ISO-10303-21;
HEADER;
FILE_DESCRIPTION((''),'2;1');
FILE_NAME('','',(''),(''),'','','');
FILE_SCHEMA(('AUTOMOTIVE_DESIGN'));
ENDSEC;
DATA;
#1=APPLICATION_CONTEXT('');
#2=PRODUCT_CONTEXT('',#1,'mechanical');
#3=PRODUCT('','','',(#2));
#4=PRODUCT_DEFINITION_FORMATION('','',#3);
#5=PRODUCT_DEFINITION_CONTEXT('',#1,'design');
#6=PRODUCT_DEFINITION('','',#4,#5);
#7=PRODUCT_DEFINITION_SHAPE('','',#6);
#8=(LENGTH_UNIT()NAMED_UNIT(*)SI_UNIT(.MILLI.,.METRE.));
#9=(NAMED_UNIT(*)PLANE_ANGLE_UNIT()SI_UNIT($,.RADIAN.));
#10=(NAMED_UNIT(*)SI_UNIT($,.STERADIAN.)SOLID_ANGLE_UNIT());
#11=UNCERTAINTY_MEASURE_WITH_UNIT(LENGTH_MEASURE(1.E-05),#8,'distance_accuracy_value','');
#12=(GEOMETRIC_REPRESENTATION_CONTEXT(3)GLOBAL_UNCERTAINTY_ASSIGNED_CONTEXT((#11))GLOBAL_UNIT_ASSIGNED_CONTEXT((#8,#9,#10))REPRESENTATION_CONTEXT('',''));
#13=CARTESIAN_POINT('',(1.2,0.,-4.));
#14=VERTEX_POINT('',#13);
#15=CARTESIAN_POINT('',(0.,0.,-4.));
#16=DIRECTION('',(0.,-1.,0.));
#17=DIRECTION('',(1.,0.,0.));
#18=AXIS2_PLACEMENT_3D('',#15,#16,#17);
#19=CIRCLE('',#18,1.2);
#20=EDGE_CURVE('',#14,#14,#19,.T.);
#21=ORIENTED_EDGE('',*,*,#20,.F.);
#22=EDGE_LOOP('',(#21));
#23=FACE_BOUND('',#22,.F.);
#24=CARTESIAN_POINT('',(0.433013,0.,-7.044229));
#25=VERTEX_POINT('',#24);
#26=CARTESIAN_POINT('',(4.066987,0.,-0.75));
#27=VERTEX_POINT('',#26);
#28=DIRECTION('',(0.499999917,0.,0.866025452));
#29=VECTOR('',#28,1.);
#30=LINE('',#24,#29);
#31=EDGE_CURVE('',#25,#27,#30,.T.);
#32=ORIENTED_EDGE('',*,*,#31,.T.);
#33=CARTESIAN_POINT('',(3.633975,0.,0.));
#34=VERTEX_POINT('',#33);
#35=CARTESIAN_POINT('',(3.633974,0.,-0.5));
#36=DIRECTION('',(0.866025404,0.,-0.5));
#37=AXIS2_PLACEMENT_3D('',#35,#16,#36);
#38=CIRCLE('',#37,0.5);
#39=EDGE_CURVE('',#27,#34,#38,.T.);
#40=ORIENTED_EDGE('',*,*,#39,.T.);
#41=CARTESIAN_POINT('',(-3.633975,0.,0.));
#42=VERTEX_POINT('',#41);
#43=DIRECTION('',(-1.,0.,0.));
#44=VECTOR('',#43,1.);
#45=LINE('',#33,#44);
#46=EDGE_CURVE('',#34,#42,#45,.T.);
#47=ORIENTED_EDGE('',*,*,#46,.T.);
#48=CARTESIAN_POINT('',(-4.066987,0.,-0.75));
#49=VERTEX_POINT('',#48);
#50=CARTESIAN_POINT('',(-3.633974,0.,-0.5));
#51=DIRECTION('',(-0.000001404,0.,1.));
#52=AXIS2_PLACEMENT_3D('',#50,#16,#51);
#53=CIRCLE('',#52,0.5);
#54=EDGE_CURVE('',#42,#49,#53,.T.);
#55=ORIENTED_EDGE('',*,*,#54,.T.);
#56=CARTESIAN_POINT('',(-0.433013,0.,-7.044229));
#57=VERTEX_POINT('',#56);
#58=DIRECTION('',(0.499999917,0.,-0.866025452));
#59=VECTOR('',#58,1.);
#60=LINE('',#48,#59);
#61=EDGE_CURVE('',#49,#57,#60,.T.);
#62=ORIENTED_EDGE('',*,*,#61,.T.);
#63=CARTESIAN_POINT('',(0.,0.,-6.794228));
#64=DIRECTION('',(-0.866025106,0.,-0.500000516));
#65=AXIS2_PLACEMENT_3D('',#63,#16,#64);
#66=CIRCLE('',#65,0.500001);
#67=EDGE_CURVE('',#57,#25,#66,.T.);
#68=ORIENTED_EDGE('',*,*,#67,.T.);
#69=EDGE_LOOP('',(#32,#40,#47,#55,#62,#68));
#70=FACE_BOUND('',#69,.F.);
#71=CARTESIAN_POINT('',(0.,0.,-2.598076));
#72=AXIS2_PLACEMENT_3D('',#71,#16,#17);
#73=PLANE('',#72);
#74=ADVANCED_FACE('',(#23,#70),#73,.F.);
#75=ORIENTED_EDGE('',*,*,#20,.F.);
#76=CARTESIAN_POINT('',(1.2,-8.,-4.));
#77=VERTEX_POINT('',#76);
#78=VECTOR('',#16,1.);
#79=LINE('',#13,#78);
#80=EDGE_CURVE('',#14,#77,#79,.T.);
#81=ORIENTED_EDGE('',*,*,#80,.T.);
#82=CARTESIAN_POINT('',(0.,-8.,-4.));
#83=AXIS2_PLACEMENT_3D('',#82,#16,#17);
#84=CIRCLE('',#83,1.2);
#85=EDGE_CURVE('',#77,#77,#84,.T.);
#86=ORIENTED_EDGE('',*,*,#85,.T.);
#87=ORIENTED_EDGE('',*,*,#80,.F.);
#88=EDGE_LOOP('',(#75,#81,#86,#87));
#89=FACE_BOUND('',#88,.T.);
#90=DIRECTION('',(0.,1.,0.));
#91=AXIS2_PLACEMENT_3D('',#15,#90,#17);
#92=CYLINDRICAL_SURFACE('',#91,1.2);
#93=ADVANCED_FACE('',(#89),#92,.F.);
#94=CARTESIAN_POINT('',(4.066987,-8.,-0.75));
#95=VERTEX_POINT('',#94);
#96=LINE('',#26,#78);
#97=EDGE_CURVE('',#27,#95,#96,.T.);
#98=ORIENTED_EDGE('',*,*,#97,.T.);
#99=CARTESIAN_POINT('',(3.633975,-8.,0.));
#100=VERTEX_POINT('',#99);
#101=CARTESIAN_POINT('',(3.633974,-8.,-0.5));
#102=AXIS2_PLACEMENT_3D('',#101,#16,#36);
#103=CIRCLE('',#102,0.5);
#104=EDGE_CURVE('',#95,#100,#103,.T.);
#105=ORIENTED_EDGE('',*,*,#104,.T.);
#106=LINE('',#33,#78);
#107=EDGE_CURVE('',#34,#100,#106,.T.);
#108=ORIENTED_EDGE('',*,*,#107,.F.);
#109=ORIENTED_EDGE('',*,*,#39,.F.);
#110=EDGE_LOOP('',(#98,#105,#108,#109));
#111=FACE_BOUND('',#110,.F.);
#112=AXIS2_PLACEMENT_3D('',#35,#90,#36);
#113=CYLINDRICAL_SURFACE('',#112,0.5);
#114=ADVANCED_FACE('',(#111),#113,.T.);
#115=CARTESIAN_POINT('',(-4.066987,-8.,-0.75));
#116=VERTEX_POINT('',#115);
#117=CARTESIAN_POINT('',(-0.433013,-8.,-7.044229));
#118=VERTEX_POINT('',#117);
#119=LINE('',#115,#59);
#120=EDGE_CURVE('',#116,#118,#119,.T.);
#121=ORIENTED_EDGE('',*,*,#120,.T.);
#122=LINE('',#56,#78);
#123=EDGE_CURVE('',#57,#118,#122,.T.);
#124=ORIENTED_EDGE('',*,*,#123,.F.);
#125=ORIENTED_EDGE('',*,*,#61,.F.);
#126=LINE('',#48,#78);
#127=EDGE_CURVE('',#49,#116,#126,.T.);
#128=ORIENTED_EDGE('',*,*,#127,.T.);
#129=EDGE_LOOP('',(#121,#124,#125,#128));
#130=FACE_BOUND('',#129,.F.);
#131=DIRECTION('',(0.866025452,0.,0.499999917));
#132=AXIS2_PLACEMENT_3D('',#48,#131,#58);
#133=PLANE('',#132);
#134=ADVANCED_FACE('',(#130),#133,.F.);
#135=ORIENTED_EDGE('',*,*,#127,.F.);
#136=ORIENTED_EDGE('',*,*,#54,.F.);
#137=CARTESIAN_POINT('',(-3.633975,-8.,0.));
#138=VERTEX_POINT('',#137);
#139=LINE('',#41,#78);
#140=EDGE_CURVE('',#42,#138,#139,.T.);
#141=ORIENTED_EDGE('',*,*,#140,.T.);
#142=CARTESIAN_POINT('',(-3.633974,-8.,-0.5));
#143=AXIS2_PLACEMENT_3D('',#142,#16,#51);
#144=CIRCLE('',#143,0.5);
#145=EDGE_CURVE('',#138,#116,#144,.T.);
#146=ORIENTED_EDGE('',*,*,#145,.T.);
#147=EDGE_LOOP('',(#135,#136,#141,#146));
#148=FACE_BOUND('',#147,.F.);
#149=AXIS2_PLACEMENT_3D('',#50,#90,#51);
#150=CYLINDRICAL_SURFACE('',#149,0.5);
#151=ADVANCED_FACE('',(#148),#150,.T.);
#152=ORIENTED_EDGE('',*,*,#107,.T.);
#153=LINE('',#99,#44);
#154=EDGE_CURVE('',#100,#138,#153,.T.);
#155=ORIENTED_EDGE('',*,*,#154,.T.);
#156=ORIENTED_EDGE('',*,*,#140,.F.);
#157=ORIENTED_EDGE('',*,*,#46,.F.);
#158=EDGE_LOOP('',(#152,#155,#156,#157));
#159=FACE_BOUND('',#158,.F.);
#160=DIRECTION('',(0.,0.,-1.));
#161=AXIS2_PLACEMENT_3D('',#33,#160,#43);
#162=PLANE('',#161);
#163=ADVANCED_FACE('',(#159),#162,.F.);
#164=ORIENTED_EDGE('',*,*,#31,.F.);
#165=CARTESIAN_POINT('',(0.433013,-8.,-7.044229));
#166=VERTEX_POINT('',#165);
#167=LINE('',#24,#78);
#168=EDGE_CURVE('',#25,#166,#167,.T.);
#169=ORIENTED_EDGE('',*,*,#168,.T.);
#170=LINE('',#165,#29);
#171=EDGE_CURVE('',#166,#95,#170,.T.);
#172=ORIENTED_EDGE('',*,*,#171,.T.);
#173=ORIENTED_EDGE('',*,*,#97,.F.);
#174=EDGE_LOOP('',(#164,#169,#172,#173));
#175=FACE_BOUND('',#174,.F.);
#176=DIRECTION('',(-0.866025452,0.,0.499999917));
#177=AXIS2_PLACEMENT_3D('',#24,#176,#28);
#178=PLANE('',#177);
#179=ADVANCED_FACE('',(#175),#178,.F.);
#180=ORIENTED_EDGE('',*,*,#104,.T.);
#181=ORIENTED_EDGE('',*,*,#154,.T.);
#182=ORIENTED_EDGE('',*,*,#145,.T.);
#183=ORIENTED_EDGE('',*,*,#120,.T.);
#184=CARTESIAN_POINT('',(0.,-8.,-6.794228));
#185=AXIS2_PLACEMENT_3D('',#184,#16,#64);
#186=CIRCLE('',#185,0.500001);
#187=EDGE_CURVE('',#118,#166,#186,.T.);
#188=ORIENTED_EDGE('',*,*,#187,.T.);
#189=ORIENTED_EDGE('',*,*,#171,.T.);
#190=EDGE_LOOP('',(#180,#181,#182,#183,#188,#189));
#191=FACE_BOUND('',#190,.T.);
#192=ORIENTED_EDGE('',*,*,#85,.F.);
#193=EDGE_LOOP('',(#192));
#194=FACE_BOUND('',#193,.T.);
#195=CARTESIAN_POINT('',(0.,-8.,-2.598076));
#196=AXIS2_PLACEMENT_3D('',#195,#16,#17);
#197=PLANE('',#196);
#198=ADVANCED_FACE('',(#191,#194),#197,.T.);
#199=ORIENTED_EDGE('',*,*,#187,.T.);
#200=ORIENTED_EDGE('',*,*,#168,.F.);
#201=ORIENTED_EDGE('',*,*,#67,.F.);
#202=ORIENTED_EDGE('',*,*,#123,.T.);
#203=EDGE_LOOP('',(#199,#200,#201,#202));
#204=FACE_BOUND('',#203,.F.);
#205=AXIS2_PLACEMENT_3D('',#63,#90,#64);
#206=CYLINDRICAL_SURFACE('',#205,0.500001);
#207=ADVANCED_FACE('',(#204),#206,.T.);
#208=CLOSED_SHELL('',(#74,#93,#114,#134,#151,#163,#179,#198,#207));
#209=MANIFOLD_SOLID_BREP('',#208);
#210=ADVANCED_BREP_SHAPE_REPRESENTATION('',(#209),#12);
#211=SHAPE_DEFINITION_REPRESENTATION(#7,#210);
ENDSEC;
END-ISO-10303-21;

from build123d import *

# Parameters (mm, degrees)
F0_R     = 1.2
F1_DEPTH = 8


with BuildPart() as f1:
    # F0 (on Front) → F1 (new body)
    with BuildSketch(Plane.XZ):
        with BuildLine():
            Line((3.633975, 0), (-3.633975, 0))
            ThreePointArc((-3.633975, 0), (-4.066987, -0.25), (-4.066987, -0.75))
            Line((-4.066987, -0.75), (-0.433013, -7.044229))
            ThreePointArc((-0.433013, -7.044229), (0, -7.294229), (0.433013, -7.044229))
            Line((0.433013, -7.044229), (4.066987, -0.75))
            ThreePointArc((4.066987, -0.75), (4.066987, -0.25), (3.633975, 0))
        make_face()
        with Locations((0, -4)):
            Circle(F0_R, mode=Mode.SUBTRACT)
    extrude(amount=F1_DEPTH)


solid = f1.part
